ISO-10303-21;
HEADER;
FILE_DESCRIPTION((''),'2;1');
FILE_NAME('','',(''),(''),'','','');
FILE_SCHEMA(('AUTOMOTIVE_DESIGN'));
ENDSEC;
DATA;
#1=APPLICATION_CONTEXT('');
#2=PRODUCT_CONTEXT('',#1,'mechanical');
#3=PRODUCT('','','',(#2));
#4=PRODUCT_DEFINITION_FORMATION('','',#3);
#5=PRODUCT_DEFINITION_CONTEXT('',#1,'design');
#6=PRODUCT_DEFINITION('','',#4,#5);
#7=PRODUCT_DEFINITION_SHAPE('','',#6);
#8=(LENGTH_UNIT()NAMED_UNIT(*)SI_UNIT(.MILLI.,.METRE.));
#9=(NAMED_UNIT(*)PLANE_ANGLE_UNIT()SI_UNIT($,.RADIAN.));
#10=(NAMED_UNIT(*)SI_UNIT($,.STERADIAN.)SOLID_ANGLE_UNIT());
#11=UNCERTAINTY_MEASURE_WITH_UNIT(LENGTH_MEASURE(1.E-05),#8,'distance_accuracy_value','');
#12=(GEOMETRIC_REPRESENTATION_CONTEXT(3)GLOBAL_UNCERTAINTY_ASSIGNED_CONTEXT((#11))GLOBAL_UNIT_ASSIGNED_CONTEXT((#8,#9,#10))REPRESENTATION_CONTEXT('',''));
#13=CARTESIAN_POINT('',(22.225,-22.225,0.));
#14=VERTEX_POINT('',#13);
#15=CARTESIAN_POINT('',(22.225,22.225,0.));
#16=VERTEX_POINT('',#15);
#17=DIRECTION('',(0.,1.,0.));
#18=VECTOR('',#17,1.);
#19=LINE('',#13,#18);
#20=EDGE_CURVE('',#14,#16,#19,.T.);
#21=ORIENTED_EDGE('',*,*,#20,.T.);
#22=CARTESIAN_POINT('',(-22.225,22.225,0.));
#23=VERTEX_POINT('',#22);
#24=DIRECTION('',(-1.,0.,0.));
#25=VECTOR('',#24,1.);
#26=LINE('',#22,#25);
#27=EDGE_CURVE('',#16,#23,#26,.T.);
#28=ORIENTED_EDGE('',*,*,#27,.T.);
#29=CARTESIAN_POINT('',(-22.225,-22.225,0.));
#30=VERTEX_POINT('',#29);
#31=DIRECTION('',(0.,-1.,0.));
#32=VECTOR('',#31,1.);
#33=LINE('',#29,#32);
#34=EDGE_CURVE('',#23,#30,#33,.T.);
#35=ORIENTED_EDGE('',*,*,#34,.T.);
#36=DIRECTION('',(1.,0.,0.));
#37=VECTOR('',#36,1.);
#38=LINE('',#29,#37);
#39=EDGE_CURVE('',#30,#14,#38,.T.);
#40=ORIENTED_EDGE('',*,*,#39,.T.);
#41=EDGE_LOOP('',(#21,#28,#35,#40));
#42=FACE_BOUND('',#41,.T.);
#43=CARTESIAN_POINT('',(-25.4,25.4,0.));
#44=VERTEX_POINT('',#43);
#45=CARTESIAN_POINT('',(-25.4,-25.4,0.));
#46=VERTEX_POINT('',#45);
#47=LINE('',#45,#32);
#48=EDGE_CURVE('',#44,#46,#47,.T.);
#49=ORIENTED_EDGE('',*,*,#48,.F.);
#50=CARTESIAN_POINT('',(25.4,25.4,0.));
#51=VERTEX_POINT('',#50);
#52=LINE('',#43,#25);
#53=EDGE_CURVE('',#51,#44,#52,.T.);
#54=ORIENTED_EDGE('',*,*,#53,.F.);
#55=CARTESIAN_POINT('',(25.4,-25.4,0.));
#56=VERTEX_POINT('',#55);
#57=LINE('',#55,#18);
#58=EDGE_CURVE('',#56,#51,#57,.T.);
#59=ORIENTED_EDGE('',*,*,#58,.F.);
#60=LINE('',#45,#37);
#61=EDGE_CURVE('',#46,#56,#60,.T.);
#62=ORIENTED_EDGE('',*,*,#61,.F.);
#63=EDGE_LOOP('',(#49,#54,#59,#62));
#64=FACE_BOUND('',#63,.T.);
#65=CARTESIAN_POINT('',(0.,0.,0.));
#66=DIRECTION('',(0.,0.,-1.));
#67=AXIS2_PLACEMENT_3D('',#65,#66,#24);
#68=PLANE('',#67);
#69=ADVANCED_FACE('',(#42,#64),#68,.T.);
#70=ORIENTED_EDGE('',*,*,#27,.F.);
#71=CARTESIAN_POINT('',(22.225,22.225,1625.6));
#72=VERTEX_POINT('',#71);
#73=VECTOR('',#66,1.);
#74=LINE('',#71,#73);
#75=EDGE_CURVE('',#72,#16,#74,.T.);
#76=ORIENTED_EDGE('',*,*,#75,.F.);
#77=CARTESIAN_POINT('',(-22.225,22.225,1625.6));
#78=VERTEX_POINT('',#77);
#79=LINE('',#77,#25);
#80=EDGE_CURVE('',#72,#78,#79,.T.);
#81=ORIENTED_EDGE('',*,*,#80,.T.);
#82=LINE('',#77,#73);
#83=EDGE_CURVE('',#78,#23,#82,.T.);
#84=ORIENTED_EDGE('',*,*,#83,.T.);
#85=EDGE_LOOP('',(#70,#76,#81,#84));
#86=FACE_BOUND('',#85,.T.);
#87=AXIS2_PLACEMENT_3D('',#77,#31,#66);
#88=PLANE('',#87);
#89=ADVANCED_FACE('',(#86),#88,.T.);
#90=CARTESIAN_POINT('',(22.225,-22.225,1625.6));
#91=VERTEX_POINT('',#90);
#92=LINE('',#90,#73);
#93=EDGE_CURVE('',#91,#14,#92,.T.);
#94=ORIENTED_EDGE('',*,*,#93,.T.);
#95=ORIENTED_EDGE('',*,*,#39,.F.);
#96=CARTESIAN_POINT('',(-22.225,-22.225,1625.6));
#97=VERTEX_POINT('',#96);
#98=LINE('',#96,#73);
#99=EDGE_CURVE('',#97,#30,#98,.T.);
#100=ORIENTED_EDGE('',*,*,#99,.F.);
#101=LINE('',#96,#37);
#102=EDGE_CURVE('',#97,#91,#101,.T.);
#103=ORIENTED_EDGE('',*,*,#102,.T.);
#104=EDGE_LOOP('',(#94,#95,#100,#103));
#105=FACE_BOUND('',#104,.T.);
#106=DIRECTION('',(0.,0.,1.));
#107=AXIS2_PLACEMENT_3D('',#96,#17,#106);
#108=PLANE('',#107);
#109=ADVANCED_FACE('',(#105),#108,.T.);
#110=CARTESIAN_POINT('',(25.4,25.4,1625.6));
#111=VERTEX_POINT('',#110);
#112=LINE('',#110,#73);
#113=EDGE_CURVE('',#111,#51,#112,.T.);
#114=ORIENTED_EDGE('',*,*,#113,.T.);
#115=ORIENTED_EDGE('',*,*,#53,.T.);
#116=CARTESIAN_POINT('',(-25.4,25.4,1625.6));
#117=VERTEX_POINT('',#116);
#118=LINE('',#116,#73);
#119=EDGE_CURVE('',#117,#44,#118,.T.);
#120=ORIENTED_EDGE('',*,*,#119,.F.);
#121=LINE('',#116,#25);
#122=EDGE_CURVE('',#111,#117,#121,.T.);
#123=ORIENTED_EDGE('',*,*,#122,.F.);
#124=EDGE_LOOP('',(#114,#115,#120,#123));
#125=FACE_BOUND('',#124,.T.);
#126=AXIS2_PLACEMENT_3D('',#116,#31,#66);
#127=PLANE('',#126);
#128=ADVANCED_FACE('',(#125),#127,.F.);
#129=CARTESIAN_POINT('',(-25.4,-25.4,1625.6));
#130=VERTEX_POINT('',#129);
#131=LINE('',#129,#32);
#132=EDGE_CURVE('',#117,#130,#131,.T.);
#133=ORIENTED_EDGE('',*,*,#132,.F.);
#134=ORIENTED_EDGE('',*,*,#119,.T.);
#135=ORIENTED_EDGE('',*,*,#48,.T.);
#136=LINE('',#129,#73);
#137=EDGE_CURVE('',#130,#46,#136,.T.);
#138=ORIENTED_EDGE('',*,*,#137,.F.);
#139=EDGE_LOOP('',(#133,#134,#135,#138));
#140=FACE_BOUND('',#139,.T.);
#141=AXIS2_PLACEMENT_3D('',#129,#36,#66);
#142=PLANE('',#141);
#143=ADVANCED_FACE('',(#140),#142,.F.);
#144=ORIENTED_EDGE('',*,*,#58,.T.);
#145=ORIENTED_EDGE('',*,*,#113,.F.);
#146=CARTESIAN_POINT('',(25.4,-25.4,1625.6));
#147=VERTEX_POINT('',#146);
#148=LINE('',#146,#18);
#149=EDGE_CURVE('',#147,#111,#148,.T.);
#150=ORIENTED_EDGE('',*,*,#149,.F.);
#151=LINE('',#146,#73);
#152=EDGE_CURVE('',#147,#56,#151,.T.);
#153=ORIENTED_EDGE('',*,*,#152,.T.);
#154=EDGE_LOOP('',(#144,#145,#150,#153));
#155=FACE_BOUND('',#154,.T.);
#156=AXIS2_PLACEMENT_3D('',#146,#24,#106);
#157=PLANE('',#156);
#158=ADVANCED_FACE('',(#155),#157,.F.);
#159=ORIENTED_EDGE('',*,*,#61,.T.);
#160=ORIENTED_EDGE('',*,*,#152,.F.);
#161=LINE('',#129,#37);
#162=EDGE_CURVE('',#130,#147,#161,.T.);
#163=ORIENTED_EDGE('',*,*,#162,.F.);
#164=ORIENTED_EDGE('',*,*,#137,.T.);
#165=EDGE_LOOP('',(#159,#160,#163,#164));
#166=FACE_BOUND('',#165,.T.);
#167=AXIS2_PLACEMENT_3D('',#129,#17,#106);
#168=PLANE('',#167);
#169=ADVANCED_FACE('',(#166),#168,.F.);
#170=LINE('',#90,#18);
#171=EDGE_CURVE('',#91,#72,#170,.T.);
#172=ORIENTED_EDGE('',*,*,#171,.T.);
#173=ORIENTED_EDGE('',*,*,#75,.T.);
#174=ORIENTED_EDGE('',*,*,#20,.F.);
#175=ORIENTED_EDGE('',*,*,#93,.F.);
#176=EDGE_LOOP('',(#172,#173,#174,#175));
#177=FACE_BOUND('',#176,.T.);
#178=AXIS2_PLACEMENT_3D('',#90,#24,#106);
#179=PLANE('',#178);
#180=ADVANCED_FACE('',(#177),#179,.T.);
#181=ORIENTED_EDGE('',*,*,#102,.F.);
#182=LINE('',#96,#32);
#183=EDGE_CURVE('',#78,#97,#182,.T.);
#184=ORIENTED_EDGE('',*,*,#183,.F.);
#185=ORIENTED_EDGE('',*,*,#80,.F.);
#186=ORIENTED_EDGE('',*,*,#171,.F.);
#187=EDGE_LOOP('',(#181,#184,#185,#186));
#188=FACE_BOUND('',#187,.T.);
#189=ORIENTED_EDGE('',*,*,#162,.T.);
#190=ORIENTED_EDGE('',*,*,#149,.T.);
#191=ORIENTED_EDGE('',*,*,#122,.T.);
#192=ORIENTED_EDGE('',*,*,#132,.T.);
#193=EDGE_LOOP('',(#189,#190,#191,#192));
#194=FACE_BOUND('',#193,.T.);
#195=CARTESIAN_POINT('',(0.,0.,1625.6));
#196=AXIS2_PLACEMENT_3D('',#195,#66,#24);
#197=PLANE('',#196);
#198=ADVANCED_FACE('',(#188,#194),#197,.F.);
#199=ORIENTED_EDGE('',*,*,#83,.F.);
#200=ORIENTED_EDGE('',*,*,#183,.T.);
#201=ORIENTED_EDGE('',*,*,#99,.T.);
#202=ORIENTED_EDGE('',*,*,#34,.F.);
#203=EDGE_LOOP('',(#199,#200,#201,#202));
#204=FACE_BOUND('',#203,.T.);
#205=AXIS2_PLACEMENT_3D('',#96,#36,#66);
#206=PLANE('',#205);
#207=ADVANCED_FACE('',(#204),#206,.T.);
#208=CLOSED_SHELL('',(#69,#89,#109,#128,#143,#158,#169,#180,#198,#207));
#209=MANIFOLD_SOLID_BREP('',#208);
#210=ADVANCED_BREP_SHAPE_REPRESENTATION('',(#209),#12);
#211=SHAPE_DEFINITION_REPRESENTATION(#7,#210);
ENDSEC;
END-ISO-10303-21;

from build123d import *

# Parameters (mm, degrees)
SKETCH1_W           = 50.8
SKETCH1_H           = 50.8
SKETCH1_W_2         = 44.45
SKETCH1_H_2         = 44.45
BOSS_EXTRUDE1_DEPTH = 1625.6


with BuildPart() as part:
    # Sketch1 → Boss-Extrude1 (new body)
    with BuildSketch(Plane.XY):
        Rectangle(SKETCH1_W, SKETCH1_H)
        Rectangle(SKETCH1_W_2, SKETCH1_H_2, mode=Mode.SUBTRACT)
    extrude(amount=BOSS_EXTRUDE1_DEPTH)


solid = part.part
